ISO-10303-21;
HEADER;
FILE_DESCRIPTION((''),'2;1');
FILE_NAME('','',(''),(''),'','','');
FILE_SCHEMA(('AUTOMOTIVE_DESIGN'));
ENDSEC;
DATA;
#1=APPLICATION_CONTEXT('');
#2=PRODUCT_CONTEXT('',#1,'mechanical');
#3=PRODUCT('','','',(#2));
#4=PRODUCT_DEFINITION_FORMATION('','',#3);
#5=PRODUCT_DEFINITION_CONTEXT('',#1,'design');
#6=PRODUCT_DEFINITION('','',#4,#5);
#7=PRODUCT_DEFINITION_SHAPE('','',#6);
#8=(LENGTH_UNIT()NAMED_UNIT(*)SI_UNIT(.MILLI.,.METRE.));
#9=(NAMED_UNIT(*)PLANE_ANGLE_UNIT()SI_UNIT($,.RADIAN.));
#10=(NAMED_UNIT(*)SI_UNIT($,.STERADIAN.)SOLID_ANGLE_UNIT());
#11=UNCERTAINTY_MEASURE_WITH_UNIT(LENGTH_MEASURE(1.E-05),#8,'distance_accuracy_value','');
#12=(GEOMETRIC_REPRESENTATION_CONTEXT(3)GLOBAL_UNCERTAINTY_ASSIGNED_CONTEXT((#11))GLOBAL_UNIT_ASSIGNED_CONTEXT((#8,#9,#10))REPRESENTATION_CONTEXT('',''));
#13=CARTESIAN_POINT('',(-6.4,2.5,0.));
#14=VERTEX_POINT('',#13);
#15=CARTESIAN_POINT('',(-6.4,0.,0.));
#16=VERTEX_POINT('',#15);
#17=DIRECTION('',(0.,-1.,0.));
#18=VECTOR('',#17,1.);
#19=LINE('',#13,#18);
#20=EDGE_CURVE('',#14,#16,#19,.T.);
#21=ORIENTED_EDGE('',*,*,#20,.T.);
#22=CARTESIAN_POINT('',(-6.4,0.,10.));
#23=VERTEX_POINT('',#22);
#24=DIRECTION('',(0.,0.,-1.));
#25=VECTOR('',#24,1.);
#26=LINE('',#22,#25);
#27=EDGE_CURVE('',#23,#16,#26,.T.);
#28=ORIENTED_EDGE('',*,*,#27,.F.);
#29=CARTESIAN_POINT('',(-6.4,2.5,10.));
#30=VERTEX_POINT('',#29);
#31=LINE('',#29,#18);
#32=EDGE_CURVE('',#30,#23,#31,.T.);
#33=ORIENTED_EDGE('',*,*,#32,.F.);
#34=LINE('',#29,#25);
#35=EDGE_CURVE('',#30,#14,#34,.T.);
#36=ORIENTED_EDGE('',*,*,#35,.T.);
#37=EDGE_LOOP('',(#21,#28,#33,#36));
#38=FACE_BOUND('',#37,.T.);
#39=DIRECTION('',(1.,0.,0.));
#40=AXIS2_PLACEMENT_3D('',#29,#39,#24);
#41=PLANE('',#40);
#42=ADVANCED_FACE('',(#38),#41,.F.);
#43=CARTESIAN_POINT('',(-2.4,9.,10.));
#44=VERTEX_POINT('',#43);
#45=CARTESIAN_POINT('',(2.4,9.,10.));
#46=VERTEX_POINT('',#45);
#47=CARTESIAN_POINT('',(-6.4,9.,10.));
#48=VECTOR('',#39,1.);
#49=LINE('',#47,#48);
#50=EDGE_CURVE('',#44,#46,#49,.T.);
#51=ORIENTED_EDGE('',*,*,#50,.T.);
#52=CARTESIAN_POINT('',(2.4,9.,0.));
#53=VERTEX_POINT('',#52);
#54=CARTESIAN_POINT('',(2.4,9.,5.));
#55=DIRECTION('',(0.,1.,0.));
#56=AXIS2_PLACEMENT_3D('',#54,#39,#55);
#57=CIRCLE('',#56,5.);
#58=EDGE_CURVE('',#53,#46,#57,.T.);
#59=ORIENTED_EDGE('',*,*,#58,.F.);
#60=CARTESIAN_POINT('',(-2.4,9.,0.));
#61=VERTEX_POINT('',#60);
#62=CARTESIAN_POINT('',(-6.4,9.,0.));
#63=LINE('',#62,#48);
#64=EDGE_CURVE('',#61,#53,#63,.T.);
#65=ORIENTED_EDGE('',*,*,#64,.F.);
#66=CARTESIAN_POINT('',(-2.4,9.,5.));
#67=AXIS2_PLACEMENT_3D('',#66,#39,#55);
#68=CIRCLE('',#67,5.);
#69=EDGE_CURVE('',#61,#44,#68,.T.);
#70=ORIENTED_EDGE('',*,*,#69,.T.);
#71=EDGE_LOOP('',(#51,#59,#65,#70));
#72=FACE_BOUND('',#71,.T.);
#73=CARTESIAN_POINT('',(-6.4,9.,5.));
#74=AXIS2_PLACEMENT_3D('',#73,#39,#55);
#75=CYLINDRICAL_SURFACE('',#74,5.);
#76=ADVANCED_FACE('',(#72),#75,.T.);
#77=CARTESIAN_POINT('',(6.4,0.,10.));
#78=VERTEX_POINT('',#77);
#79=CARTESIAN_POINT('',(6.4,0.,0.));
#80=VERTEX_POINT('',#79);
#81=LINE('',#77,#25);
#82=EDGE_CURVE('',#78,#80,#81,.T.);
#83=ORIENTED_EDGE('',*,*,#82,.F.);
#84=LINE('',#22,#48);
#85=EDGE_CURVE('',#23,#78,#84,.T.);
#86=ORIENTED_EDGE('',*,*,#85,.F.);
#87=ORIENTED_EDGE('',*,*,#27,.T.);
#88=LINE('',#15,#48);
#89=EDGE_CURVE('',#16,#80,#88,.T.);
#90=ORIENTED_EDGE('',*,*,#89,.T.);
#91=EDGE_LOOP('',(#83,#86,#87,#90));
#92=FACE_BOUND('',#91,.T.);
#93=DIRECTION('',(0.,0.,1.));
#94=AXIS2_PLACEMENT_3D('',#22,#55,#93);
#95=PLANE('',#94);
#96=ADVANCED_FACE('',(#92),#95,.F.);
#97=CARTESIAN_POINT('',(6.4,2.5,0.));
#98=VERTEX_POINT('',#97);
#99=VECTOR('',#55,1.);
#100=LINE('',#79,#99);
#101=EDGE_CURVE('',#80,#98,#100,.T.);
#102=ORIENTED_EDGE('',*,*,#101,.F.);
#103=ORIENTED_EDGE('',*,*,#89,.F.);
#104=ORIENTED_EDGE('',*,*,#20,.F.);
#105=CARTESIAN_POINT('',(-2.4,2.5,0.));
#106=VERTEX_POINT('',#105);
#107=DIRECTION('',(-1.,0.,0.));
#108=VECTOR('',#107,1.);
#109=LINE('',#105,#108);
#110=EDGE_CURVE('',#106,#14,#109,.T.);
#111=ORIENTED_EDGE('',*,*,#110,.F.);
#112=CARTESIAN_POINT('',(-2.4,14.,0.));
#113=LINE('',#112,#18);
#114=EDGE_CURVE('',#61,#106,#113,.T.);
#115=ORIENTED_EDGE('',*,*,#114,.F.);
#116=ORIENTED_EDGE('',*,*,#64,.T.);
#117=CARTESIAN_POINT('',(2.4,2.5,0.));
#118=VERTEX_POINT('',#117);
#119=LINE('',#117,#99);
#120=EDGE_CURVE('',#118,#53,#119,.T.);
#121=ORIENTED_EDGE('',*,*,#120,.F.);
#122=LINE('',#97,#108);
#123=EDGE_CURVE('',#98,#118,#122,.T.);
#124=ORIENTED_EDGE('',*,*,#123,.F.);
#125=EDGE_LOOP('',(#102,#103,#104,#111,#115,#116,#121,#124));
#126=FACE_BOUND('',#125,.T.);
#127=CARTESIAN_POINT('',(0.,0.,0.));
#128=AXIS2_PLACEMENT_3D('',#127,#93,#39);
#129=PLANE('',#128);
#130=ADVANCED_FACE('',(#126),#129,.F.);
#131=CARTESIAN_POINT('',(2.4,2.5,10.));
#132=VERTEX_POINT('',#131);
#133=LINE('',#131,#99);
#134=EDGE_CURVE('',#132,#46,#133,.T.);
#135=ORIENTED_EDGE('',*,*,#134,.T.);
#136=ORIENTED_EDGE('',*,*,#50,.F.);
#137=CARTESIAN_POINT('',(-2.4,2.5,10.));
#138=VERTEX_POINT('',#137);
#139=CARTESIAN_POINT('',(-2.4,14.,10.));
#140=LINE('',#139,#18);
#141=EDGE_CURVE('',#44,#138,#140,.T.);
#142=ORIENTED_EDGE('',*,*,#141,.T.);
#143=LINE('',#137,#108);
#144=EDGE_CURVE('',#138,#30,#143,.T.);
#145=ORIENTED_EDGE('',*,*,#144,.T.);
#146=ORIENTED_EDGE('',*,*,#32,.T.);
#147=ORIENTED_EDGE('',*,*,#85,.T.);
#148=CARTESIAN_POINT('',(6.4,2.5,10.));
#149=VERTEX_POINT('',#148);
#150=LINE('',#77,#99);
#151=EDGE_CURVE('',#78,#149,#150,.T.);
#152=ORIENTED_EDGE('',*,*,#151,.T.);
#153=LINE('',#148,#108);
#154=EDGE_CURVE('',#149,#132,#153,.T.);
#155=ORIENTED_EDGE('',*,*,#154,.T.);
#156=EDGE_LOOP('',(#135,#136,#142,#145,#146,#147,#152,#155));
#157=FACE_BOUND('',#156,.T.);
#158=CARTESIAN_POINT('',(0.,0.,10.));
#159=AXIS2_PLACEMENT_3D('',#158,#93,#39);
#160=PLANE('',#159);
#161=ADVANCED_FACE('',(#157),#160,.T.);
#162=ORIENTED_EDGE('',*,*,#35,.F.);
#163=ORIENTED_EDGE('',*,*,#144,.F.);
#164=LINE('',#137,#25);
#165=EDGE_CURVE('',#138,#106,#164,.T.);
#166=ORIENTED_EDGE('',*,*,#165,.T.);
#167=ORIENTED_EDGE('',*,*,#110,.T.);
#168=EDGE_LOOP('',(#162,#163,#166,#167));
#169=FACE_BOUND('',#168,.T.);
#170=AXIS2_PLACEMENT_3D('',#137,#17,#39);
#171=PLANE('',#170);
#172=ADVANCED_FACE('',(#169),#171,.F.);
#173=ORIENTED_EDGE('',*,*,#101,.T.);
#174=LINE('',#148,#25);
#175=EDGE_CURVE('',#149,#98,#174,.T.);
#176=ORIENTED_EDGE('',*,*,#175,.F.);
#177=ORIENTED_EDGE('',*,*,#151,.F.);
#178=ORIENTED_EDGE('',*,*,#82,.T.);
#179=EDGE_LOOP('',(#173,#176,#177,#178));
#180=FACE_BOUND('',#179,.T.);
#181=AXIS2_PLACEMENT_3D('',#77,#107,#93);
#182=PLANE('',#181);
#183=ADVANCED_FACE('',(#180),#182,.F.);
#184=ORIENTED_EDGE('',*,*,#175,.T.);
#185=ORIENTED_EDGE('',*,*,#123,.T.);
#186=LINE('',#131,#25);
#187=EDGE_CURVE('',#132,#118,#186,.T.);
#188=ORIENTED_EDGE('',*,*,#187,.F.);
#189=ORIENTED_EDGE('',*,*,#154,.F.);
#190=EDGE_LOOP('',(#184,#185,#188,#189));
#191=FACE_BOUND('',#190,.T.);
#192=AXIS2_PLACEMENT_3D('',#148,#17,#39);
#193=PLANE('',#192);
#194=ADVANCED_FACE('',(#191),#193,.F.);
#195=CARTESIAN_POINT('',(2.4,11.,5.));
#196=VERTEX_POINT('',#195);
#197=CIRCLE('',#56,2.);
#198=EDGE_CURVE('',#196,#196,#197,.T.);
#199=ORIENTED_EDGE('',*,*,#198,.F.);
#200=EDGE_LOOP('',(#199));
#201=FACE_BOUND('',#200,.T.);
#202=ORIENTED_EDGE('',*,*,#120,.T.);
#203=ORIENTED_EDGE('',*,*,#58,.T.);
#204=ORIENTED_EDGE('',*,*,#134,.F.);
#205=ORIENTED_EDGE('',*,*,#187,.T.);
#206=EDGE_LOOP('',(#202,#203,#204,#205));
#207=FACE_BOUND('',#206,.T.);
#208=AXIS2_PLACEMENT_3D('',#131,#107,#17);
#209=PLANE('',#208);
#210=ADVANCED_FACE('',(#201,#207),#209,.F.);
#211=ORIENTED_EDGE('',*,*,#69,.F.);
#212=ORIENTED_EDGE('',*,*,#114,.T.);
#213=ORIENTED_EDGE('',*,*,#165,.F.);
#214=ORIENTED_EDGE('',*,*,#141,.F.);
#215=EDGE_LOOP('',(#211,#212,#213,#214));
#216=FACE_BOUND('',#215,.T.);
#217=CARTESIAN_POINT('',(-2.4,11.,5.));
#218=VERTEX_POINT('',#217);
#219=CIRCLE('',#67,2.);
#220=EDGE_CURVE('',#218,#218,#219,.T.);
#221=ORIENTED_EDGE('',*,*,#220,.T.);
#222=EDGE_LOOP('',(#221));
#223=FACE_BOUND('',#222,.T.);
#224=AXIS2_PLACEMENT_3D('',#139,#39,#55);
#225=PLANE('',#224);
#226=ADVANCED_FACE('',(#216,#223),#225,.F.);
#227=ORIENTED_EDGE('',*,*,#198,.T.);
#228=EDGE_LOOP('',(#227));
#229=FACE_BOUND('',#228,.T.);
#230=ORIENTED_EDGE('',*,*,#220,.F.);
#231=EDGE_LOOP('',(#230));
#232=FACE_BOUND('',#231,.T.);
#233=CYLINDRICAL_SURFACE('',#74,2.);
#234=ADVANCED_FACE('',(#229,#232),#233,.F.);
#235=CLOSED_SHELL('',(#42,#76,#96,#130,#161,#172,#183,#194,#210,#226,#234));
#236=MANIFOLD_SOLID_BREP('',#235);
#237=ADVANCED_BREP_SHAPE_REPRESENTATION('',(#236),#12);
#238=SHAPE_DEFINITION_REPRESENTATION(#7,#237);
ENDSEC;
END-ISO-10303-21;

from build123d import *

# Parameters (mm, degrees)
EXTRUDE_1_DEPTH     = 10
SKETCH_2_OUTSIDE_W  = 16.288
SKETCH_2_OUTSIDE_H  = 20.288
SKETCH_2_OUTSIDE_R  = 2
CUT_EXTRUDE_3_DEPTH = 20.324595727


with BuildPart() as part:
    # Эскиз1 → Бобышка-Вытянуть1 (new body)
    with BuildSketch(Plane.XY):
        Polygon((-6.4, 0), (6.4, 0), (6.4, 2.5), (2.4, 2.5), (2.4, 14), (-2.4, 14), (-2.4, 2.5), (-6.4, 2.5), align=None)
    extrude(amount=EXTRUDE_1_DEPTH)

    # Эскиз2 outside → Вырез-Вытянуть3 (cut, through all)
    # profile 1 of 2: a face of its own
    with BuildSketch(Plane(origin=(2.4, 0, 0), x_dir=(0, 0, -1), z_dir=(1, 0, 0))):
        with Locations((-5, 7)):
            Rectangle(SKETCH_2_OUTSIDE_W, SKETCH_2_OUTSIDE_H)
        with BuildLine():
            Line((-10, 9), (-10, 0))
            Line((-10, 0), (0, 0))
            Line((0, 0), (0, 9))
            ThreePointArc((0, 9), (-5, 14), (-10, 9))
        make_face(mode=Mode.SUBTRACT)
    # profile 2 of 2: a face of its own
    with BuildSketch(Plane(origin=(2.4, 0, 0), x_dir=(0, 0, -1), z_dir=(1, 0, 0))):
        with Locations(Location((-5, 9, 0), (0, 0, 90))):
            Circle(SKETCH_2_OUTSIDE_R)
    extrude(amount=-CUT_EXTRUDE_3_DEPTH, mode=Mode.SUBTRACT)


solid = part.part
